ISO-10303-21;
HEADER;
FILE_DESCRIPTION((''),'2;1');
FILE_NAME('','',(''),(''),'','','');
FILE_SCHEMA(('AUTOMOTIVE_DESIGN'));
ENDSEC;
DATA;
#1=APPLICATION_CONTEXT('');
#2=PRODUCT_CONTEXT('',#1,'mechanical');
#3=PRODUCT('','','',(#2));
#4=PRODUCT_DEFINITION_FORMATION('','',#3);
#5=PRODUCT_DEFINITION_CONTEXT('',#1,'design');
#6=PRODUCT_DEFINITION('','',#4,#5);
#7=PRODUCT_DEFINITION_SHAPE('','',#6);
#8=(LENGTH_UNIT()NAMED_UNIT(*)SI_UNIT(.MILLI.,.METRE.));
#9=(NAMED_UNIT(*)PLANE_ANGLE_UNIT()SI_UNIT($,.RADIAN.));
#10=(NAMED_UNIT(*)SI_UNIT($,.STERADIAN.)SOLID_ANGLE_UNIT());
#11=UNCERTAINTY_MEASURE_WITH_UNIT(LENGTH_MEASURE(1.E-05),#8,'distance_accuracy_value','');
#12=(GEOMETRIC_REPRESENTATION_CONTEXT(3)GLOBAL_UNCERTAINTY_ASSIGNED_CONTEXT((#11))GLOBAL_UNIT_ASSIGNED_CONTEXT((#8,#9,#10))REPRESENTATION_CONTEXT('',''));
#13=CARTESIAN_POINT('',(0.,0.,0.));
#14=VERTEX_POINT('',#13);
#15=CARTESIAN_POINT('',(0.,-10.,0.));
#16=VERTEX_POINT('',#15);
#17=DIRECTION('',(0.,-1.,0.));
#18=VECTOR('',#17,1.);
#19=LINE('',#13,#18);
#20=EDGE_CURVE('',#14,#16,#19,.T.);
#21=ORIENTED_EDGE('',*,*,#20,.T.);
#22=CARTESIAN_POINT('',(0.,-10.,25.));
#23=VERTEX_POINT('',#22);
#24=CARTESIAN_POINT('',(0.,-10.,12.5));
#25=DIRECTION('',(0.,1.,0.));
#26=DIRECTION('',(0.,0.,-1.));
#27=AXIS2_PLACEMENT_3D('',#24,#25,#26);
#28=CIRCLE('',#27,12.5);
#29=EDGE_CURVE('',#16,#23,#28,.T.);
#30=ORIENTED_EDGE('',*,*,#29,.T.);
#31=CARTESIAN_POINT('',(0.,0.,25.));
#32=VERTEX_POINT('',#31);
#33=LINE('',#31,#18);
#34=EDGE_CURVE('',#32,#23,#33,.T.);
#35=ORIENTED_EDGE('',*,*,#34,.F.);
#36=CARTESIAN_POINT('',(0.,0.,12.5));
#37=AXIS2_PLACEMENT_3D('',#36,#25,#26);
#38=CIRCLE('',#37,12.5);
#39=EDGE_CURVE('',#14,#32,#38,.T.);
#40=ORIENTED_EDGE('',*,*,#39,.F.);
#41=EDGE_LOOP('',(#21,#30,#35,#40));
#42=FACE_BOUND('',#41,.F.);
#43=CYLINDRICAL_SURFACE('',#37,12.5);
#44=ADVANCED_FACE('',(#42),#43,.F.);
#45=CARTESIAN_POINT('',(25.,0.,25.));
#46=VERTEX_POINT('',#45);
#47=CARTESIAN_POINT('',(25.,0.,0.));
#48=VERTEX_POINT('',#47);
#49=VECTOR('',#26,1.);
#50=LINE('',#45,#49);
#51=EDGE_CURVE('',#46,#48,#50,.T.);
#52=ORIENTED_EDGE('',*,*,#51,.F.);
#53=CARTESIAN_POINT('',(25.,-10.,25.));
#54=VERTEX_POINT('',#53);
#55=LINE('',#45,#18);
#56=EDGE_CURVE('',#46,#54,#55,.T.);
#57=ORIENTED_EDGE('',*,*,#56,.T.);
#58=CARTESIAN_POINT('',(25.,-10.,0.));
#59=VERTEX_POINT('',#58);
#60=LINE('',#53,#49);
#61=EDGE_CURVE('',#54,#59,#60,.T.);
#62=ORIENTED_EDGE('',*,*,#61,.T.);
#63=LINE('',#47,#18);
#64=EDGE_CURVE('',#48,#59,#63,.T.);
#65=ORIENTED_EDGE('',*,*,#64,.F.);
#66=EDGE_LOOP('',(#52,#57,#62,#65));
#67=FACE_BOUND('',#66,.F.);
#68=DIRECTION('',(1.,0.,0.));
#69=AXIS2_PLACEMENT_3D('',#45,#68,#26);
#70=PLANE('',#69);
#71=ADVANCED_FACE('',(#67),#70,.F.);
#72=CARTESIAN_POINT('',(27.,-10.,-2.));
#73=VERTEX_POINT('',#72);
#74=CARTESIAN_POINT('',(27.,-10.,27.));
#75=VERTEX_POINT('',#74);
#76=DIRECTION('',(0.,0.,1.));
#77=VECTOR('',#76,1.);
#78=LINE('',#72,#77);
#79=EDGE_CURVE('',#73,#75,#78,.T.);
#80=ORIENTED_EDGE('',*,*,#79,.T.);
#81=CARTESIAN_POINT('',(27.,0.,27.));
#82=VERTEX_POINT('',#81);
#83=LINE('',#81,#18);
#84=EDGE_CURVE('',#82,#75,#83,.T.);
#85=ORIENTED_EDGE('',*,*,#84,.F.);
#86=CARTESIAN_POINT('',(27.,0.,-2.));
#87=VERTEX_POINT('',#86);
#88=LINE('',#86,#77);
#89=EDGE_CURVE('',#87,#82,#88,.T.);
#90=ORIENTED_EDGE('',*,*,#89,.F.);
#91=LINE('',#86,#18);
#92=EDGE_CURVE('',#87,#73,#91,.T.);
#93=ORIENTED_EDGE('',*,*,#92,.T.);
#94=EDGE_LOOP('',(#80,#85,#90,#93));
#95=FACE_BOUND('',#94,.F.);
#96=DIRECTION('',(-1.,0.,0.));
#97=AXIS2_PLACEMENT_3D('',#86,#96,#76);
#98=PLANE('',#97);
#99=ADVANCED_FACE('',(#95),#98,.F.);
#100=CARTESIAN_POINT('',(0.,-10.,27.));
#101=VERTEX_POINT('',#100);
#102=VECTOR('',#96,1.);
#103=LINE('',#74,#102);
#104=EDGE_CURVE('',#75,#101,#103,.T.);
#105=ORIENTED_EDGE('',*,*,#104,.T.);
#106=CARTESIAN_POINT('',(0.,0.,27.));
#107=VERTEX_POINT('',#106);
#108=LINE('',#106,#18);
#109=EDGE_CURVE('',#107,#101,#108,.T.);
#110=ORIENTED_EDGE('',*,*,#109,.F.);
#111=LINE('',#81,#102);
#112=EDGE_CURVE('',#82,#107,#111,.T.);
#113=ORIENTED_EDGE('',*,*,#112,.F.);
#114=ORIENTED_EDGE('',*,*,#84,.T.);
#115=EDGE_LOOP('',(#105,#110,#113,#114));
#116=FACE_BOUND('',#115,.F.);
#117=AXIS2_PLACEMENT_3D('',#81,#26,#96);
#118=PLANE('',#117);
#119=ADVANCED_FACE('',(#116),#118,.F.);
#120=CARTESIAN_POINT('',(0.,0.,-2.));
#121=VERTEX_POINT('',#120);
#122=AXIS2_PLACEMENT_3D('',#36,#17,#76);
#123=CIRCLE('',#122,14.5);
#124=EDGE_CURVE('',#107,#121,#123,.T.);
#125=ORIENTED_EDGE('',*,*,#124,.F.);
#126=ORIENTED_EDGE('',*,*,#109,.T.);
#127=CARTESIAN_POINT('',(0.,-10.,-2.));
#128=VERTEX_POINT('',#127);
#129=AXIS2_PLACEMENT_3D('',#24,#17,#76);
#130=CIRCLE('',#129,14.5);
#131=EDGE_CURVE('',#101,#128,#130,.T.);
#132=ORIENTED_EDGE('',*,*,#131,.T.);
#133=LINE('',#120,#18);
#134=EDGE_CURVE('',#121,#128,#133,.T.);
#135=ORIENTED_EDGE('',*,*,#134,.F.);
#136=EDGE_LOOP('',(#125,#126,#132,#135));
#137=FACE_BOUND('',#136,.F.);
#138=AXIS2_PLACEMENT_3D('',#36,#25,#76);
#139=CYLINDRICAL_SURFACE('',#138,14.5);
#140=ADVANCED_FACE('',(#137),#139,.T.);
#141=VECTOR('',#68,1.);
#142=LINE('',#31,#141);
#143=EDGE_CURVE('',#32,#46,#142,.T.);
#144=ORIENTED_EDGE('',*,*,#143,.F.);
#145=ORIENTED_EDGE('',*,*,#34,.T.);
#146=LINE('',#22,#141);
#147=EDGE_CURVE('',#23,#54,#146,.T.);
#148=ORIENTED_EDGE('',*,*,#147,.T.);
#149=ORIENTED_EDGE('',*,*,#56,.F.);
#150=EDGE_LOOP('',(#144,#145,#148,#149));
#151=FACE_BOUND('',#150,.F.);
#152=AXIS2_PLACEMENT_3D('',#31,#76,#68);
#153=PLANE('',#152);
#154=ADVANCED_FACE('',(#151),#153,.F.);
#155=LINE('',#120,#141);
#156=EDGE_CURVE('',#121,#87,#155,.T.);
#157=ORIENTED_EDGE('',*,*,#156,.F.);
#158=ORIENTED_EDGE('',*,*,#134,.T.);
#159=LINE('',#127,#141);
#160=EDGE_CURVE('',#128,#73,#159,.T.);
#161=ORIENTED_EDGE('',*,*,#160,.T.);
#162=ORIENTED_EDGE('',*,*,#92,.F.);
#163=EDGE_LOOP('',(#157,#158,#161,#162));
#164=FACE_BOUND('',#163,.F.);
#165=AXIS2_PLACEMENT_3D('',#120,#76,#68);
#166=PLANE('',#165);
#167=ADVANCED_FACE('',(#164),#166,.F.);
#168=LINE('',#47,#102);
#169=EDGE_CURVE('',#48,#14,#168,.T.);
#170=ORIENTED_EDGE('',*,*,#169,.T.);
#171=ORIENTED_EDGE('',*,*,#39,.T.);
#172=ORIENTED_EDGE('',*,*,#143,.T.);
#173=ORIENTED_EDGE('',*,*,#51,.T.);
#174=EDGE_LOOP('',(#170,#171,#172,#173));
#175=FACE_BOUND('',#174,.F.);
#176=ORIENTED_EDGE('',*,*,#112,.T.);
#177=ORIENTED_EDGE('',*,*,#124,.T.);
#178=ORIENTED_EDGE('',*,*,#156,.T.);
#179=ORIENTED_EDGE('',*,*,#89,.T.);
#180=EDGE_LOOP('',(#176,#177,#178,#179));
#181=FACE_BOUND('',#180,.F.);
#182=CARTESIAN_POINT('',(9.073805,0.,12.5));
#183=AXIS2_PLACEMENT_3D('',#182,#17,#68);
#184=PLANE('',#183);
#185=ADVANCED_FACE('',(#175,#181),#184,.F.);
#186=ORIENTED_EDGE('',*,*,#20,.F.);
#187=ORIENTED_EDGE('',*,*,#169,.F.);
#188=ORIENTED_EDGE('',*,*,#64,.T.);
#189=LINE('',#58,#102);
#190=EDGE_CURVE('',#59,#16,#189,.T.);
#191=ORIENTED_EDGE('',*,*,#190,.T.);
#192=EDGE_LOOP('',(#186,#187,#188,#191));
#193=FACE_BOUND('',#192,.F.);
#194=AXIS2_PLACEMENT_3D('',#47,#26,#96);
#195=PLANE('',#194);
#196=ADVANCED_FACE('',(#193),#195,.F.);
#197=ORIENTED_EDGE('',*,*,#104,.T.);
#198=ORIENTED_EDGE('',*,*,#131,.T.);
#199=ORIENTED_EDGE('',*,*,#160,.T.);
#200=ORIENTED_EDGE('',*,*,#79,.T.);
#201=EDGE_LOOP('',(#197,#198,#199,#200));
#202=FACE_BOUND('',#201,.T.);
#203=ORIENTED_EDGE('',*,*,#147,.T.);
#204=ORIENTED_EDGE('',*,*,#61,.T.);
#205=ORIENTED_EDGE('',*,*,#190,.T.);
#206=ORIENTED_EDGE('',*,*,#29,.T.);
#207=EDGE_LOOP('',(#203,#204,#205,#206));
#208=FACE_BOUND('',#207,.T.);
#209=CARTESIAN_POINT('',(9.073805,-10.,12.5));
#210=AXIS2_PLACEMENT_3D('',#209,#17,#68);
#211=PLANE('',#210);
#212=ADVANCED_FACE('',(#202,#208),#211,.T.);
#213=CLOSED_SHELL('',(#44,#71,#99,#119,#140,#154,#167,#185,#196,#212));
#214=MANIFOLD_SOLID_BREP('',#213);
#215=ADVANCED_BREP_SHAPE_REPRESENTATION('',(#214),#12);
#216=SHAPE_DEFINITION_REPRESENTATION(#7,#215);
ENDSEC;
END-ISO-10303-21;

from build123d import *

# Parameters (mm, degrees)
F1_DEPTH = 10


with BuildPart() as f1:
    # F0 (on Front) → F1 (new body)
    with BuildSketch(Plane.XZ):
        with BuildLine():
            Line((27, 27), (0, 27))
            ThreePointArc((0, 27), (-14.5, 12.5), (0, -2))
            Line((0, -2), (27, -2))
            Line((27, -2), (27, 27))
        make_face()
        with BuildLine():
            Line((25, 0), (0, 0))
            ThreePointArc((0, 0), (-12.5, 12.5), (0, 25))
            Line((0, 25), (25, 25))
            Line((25, 25), (25, 0))
        make_face(mode=Mode.SUBTRACT)
    extrude(amount=F1_DEPTH)


solid = f1.part
